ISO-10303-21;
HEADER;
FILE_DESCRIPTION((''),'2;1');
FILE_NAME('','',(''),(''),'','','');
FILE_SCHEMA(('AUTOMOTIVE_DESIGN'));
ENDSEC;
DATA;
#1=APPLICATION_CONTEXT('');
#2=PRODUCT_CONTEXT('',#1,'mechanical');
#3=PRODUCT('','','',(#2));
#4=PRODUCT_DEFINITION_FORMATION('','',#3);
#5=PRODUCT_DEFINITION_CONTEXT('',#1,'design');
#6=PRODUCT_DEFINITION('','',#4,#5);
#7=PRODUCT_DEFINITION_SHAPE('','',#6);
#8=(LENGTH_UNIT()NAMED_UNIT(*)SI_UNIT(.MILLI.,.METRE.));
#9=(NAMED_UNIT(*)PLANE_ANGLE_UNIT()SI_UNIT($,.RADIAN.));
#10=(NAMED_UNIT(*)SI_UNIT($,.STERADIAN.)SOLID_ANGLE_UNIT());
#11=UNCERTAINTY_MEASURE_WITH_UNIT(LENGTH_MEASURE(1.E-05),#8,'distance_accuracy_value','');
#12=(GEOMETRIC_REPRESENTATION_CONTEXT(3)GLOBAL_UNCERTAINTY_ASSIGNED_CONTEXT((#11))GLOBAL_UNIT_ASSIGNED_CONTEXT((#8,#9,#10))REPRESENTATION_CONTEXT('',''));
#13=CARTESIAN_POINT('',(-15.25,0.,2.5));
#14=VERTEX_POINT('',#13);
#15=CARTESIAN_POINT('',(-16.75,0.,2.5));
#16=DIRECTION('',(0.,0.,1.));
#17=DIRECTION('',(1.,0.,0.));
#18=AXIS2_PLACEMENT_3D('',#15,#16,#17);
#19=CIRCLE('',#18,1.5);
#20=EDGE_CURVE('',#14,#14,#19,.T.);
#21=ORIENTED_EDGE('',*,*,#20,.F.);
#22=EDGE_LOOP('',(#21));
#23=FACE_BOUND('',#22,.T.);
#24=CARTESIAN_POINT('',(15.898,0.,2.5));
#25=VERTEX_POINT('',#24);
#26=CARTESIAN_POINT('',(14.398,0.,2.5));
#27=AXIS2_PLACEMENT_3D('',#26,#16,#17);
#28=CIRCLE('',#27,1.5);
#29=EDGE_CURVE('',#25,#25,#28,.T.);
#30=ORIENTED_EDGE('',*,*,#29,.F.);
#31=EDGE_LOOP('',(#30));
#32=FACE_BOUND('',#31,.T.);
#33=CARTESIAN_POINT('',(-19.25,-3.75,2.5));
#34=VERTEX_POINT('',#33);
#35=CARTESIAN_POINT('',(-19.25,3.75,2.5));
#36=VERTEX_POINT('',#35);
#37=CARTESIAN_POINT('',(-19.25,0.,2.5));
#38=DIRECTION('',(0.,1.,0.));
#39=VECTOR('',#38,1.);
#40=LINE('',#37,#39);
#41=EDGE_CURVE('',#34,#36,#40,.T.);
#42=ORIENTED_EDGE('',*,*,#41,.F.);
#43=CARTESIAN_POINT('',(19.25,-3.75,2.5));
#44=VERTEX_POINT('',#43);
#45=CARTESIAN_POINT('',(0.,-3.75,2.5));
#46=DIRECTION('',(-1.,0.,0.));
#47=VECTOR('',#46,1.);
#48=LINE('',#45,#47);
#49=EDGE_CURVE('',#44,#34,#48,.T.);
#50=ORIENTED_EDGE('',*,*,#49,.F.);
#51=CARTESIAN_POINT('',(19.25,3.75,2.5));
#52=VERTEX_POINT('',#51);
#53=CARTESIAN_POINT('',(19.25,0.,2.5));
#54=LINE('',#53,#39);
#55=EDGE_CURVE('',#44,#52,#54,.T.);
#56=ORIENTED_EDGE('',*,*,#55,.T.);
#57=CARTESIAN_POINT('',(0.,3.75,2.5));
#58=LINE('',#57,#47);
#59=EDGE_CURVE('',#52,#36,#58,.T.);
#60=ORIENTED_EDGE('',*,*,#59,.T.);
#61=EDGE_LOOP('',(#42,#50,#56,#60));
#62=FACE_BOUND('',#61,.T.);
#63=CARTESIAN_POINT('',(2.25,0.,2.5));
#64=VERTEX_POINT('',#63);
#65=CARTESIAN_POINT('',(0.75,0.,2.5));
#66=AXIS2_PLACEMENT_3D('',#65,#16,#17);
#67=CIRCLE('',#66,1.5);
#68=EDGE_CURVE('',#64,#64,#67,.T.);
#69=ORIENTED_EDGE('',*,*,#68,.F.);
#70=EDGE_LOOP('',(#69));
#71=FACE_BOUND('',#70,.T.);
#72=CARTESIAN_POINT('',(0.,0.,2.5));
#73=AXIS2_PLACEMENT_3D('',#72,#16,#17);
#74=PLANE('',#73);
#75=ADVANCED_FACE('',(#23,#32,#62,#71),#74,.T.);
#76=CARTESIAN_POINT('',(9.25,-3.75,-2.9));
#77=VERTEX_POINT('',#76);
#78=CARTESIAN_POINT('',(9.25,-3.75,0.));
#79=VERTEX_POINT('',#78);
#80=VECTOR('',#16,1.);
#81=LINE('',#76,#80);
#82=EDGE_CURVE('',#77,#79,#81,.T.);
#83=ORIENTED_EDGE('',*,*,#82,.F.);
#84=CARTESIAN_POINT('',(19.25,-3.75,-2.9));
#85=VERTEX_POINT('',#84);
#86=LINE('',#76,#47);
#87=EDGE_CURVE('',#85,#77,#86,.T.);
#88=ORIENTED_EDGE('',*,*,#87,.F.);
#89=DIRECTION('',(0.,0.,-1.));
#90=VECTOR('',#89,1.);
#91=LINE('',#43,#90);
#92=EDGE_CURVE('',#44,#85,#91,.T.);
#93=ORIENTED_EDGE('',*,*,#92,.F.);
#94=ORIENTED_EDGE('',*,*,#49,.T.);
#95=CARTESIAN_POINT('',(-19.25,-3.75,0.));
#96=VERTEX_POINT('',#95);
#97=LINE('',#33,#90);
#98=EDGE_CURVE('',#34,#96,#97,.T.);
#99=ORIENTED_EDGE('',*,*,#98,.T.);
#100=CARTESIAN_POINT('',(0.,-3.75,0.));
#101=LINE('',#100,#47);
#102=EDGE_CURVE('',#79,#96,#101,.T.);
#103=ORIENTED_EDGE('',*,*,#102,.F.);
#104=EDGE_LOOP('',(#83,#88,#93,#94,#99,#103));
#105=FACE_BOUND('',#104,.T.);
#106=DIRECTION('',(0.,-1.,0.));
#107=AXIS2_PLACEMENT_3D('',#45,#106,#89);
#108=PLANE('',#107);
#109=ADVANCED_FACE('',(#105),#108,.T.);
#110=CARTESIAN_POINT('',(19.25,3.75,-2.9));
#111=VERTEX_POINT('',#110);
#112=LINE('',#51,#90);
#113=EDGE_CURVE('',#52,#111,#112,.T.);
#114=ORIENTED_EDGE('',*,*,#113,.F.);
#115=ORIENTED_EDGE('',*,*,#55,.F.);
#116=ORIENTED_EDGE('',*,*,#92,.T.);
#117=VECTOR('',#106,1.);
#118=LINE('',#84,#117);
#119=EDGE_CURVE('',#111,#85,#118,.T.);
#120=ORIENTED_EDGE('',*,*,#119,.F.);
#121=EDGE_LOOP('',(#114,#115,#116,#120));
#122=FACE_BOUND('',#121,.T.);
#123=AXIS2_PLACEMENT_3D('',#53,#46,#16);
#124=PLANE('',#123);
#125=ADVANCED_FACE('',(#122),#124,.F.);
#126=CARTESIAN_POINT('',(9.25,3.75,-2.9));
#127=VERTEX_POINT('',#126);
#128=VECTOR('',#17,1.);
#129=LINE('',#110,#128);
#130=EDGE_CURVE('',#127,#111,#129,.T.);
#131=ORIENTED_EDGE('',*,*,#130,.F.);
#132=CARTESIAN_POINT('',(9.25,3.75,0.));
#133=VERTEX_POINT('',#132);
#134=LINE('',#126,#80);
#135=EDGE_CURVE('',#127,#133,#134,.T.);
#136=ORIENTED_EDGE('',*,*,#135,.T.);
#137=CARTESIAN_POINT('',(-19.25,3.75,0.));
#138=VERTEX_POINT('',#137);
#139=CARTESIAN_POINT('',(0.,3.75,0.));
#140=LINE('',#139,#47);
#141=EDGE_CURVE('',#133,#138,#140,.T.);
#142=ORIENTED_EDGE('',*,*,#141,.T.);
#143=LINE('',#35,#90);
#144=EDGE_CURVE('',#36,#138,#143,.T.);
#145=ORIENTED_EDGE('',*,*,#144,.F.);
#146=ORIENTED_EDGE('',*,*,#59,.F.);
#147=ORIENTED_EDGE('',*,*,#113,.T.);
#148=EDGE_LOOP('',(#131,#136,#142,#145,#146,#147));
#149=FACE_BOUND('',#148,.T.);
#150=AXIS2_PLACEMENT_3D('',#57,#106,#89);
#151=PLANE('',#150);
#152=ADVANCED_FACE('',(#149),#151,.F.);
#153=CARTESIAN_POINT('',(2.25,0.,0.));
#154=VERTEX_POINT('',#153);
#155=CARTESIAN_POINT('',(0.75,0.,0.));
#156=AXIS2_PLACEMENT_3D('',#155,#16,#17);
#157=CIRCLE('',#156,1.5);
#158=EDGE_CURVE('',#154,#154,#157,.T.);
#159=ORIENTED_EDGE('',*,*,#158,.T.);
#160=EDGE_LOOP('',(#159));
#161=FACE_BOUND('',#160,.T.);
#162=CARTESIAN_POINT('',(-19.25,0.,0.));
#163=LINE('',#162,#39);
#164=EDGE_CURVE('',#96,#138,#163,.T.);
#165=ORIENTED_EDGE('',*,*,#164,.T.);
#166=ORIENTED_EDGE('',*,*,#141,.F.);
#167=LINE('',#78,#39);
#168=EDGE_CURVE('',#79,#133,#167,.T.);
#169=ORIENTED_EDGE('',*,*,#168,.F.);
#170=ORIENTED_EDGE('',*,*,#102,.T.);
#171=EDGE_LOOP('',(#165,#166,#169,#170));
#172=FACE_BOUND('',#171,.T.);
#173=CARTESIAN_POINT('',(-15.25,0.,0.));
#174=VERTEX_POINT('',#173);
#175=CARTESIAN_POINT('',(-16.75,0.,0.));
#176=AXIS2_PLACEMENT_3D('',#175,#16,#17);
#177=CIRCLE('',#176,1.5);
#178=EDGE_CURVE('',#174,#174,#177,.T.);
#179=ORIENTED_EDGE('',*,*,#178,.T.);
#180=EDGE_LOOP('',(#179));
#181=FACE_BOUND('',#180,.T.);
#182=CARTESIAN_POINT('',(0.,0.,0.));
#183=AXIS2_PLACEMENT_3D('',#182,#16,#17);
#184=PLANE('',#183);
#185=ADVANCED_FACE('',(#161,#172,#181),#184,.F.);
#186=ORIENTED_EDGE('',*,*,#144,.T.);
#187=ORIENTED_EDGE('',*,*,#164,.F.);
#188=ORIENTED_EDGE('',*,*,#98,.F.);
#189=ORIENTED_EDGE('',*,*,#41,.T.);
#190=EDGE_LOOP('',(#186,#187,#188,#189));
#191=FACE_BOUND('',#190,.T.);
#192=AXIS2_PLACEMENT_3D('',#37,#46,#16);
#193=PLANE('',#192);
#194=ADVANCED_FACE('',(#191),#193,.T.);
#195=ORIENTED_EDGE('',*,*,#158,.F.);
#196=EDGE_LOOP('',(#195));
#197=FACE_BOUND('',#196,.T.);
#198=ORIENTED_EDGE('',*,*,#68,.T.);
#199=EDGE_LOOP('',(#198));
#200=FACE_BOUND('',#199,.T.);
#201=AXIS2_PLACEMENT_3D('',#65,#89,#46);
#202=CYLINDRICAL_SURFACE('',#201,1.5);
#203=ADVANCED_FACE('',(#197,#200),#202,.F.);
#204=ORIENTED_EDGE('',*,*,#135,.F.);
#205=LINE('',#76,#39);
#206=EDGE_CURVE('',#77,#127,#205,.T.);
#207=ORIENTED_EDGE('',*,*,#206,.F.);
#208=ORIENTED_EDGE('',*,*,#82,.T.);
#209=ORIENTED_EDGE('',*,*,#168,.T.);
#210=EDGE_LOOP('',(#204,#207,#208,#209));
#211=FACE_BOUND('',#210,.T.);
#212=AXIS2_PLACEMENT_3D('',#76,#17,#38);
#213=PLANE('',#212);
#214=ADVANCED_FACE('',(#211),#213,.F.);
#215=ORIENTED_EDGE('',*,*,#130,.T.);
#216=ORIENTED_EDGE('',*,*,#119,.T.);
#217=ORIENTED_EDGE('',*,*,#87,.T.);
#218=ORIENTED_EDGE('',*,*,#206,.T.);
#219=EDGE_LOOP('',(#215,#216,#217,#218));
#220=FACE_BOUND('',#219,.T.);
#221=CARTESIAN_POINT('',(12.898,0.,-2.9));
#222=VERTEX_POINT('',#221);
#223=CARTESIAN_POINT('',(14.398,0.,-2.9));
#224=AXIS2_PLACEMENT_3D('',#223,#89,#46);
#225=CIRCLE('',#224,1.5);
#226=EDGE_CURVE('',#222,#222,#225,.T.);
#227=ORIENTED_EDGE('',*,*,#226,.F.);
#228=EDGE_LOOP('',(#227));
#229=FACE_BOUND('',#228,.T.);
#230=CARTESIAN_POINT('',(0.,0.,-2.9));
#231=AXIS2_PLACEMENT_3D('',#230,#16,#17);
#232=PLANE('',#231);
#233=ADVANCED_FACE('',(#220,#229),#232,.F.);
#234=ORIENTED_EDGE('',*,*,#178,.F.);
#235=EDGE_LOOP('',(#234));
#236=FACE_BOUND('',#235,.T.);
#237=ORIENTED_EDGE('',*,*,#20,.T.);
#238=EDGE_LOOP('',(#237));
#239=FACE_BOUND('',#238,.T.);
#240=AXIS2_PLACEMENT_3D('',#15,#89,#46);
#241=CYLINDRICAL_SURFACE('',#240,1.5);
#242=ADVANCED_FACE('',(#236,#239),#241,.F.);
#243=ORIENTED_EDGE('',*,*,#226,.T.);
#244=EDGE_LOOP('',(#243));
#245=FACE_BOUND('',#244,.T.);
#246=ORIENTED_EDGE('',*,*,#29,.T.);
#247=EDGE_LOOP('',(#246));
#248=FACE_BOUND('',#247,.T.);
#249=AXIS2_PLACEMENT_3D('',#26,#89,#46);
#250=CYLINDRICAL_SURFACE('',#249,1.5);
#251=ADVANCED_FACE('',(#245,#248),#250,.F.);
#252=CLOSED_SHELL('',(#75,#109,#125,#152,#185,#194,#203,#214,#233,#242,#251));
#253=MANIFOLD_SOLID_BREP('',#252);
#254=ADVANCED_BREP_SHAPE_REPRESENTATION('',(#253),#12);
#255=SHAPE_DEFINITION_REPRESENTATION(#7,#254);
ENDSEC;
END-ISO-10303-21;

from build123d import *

# Parameters (mm, degrees)
BOSS_EXTRUDE1_DEPTH = 2.5
BOSS_EXTRUDE2_START = 2.9
SKETCH2_W           = 10
SKETCH2_H           = 7.5
SKETCH2_R           = 1.5
BOSS_EXTRUDE2_DEPTH = 2.9


with BuildPart() as part:
    # Sketch1 → Boss-Extrude1 (new body)
    with BuildSketch(Plane(origin=(0, 0, 0), x_dir=(0, 1, 0), z_dir=(0, 0, 1))):
        with BuildLine():
            Line((0, 18.25), (0, 19.25))
            Line((0, 19.25), (-3.75, 19.25))
            Line((-3.75, 19.25), (-3.75, -19.25))
            Line((-3.75, -19.25), (0, -19.25))
            Line((0, -19.25), (0, -15.898))
            ThreePointArc((0, -15.898), (-1.5, -14.398), (0, -12.898))
            Line((0, -12.898), (0, -2.25))
            ThreePointArc((0, -2.25), (-1.5, -0.75), (0, 0.75))
            Line((0, 0.75), (0, 15.25))
            ThreePointArc((0, 15.25), (-1.5, 16.75), (0, 18.25))
        make_face()
        with BuildLine():
            Line((3.75, 19.25), (0, 19.25))
            Line((0, 19.25), (0, 18.25))
            ThreePointArc((0, 18.25), (1.060660172, 17.810660172), (1.5, 16.75))
            ThreePointArc((1.5, 16.75), (1.060660172, 15.689339828), (0, 15.25))
            Line((0, 15.25), (0, 0.75))
            ThreePointArc((0, 0.75), (1.060660172, 0.310660172), (1.5, -0.75))
            ThreePointArc((1.5, -0.75), (1.060660172, -1.810660172), (0, -2.25))
            Line((0, -2.25), (0, -12.898))
            ThreePointArc((0, -12.898), (1.060660172, -13.337339828), (1.5, -14.398))
            ThreePointArc((1.5, -14.398), (1.060660172, -15.458660172), (0, -15.898))
            Line((0, -15.898), (0, -19.25))
            Line((0, -19.25), (3.75, -19.25))
            Line((3.75, -19.25), (3.75, 19.25))
        make_face()
    extrude(amount=BOSS_EXTRUDE1_DEPTH)

    # Sketch2 → Boss-Extrude2 (add)
    with BuildSketch(Plane(origin=(0, 0, 0), x_dir=(1, 0, 0), z_dir=(0, 0, -1)).offset(BOSS_EXTRUDE2_START)):
        with Locations((14.25, 0)):
            Rectangle(SKETCH2_W, SKETCH2_H)
        with Locations(Location((14.398, 0, 0), (0, 0, 180))):
            Circle(SKETCH2_R, mode=Mode.SUBTRACT)
    extrude(amount=-BOSS_EXTRUDE2_DEPTH)


solid = part.part
